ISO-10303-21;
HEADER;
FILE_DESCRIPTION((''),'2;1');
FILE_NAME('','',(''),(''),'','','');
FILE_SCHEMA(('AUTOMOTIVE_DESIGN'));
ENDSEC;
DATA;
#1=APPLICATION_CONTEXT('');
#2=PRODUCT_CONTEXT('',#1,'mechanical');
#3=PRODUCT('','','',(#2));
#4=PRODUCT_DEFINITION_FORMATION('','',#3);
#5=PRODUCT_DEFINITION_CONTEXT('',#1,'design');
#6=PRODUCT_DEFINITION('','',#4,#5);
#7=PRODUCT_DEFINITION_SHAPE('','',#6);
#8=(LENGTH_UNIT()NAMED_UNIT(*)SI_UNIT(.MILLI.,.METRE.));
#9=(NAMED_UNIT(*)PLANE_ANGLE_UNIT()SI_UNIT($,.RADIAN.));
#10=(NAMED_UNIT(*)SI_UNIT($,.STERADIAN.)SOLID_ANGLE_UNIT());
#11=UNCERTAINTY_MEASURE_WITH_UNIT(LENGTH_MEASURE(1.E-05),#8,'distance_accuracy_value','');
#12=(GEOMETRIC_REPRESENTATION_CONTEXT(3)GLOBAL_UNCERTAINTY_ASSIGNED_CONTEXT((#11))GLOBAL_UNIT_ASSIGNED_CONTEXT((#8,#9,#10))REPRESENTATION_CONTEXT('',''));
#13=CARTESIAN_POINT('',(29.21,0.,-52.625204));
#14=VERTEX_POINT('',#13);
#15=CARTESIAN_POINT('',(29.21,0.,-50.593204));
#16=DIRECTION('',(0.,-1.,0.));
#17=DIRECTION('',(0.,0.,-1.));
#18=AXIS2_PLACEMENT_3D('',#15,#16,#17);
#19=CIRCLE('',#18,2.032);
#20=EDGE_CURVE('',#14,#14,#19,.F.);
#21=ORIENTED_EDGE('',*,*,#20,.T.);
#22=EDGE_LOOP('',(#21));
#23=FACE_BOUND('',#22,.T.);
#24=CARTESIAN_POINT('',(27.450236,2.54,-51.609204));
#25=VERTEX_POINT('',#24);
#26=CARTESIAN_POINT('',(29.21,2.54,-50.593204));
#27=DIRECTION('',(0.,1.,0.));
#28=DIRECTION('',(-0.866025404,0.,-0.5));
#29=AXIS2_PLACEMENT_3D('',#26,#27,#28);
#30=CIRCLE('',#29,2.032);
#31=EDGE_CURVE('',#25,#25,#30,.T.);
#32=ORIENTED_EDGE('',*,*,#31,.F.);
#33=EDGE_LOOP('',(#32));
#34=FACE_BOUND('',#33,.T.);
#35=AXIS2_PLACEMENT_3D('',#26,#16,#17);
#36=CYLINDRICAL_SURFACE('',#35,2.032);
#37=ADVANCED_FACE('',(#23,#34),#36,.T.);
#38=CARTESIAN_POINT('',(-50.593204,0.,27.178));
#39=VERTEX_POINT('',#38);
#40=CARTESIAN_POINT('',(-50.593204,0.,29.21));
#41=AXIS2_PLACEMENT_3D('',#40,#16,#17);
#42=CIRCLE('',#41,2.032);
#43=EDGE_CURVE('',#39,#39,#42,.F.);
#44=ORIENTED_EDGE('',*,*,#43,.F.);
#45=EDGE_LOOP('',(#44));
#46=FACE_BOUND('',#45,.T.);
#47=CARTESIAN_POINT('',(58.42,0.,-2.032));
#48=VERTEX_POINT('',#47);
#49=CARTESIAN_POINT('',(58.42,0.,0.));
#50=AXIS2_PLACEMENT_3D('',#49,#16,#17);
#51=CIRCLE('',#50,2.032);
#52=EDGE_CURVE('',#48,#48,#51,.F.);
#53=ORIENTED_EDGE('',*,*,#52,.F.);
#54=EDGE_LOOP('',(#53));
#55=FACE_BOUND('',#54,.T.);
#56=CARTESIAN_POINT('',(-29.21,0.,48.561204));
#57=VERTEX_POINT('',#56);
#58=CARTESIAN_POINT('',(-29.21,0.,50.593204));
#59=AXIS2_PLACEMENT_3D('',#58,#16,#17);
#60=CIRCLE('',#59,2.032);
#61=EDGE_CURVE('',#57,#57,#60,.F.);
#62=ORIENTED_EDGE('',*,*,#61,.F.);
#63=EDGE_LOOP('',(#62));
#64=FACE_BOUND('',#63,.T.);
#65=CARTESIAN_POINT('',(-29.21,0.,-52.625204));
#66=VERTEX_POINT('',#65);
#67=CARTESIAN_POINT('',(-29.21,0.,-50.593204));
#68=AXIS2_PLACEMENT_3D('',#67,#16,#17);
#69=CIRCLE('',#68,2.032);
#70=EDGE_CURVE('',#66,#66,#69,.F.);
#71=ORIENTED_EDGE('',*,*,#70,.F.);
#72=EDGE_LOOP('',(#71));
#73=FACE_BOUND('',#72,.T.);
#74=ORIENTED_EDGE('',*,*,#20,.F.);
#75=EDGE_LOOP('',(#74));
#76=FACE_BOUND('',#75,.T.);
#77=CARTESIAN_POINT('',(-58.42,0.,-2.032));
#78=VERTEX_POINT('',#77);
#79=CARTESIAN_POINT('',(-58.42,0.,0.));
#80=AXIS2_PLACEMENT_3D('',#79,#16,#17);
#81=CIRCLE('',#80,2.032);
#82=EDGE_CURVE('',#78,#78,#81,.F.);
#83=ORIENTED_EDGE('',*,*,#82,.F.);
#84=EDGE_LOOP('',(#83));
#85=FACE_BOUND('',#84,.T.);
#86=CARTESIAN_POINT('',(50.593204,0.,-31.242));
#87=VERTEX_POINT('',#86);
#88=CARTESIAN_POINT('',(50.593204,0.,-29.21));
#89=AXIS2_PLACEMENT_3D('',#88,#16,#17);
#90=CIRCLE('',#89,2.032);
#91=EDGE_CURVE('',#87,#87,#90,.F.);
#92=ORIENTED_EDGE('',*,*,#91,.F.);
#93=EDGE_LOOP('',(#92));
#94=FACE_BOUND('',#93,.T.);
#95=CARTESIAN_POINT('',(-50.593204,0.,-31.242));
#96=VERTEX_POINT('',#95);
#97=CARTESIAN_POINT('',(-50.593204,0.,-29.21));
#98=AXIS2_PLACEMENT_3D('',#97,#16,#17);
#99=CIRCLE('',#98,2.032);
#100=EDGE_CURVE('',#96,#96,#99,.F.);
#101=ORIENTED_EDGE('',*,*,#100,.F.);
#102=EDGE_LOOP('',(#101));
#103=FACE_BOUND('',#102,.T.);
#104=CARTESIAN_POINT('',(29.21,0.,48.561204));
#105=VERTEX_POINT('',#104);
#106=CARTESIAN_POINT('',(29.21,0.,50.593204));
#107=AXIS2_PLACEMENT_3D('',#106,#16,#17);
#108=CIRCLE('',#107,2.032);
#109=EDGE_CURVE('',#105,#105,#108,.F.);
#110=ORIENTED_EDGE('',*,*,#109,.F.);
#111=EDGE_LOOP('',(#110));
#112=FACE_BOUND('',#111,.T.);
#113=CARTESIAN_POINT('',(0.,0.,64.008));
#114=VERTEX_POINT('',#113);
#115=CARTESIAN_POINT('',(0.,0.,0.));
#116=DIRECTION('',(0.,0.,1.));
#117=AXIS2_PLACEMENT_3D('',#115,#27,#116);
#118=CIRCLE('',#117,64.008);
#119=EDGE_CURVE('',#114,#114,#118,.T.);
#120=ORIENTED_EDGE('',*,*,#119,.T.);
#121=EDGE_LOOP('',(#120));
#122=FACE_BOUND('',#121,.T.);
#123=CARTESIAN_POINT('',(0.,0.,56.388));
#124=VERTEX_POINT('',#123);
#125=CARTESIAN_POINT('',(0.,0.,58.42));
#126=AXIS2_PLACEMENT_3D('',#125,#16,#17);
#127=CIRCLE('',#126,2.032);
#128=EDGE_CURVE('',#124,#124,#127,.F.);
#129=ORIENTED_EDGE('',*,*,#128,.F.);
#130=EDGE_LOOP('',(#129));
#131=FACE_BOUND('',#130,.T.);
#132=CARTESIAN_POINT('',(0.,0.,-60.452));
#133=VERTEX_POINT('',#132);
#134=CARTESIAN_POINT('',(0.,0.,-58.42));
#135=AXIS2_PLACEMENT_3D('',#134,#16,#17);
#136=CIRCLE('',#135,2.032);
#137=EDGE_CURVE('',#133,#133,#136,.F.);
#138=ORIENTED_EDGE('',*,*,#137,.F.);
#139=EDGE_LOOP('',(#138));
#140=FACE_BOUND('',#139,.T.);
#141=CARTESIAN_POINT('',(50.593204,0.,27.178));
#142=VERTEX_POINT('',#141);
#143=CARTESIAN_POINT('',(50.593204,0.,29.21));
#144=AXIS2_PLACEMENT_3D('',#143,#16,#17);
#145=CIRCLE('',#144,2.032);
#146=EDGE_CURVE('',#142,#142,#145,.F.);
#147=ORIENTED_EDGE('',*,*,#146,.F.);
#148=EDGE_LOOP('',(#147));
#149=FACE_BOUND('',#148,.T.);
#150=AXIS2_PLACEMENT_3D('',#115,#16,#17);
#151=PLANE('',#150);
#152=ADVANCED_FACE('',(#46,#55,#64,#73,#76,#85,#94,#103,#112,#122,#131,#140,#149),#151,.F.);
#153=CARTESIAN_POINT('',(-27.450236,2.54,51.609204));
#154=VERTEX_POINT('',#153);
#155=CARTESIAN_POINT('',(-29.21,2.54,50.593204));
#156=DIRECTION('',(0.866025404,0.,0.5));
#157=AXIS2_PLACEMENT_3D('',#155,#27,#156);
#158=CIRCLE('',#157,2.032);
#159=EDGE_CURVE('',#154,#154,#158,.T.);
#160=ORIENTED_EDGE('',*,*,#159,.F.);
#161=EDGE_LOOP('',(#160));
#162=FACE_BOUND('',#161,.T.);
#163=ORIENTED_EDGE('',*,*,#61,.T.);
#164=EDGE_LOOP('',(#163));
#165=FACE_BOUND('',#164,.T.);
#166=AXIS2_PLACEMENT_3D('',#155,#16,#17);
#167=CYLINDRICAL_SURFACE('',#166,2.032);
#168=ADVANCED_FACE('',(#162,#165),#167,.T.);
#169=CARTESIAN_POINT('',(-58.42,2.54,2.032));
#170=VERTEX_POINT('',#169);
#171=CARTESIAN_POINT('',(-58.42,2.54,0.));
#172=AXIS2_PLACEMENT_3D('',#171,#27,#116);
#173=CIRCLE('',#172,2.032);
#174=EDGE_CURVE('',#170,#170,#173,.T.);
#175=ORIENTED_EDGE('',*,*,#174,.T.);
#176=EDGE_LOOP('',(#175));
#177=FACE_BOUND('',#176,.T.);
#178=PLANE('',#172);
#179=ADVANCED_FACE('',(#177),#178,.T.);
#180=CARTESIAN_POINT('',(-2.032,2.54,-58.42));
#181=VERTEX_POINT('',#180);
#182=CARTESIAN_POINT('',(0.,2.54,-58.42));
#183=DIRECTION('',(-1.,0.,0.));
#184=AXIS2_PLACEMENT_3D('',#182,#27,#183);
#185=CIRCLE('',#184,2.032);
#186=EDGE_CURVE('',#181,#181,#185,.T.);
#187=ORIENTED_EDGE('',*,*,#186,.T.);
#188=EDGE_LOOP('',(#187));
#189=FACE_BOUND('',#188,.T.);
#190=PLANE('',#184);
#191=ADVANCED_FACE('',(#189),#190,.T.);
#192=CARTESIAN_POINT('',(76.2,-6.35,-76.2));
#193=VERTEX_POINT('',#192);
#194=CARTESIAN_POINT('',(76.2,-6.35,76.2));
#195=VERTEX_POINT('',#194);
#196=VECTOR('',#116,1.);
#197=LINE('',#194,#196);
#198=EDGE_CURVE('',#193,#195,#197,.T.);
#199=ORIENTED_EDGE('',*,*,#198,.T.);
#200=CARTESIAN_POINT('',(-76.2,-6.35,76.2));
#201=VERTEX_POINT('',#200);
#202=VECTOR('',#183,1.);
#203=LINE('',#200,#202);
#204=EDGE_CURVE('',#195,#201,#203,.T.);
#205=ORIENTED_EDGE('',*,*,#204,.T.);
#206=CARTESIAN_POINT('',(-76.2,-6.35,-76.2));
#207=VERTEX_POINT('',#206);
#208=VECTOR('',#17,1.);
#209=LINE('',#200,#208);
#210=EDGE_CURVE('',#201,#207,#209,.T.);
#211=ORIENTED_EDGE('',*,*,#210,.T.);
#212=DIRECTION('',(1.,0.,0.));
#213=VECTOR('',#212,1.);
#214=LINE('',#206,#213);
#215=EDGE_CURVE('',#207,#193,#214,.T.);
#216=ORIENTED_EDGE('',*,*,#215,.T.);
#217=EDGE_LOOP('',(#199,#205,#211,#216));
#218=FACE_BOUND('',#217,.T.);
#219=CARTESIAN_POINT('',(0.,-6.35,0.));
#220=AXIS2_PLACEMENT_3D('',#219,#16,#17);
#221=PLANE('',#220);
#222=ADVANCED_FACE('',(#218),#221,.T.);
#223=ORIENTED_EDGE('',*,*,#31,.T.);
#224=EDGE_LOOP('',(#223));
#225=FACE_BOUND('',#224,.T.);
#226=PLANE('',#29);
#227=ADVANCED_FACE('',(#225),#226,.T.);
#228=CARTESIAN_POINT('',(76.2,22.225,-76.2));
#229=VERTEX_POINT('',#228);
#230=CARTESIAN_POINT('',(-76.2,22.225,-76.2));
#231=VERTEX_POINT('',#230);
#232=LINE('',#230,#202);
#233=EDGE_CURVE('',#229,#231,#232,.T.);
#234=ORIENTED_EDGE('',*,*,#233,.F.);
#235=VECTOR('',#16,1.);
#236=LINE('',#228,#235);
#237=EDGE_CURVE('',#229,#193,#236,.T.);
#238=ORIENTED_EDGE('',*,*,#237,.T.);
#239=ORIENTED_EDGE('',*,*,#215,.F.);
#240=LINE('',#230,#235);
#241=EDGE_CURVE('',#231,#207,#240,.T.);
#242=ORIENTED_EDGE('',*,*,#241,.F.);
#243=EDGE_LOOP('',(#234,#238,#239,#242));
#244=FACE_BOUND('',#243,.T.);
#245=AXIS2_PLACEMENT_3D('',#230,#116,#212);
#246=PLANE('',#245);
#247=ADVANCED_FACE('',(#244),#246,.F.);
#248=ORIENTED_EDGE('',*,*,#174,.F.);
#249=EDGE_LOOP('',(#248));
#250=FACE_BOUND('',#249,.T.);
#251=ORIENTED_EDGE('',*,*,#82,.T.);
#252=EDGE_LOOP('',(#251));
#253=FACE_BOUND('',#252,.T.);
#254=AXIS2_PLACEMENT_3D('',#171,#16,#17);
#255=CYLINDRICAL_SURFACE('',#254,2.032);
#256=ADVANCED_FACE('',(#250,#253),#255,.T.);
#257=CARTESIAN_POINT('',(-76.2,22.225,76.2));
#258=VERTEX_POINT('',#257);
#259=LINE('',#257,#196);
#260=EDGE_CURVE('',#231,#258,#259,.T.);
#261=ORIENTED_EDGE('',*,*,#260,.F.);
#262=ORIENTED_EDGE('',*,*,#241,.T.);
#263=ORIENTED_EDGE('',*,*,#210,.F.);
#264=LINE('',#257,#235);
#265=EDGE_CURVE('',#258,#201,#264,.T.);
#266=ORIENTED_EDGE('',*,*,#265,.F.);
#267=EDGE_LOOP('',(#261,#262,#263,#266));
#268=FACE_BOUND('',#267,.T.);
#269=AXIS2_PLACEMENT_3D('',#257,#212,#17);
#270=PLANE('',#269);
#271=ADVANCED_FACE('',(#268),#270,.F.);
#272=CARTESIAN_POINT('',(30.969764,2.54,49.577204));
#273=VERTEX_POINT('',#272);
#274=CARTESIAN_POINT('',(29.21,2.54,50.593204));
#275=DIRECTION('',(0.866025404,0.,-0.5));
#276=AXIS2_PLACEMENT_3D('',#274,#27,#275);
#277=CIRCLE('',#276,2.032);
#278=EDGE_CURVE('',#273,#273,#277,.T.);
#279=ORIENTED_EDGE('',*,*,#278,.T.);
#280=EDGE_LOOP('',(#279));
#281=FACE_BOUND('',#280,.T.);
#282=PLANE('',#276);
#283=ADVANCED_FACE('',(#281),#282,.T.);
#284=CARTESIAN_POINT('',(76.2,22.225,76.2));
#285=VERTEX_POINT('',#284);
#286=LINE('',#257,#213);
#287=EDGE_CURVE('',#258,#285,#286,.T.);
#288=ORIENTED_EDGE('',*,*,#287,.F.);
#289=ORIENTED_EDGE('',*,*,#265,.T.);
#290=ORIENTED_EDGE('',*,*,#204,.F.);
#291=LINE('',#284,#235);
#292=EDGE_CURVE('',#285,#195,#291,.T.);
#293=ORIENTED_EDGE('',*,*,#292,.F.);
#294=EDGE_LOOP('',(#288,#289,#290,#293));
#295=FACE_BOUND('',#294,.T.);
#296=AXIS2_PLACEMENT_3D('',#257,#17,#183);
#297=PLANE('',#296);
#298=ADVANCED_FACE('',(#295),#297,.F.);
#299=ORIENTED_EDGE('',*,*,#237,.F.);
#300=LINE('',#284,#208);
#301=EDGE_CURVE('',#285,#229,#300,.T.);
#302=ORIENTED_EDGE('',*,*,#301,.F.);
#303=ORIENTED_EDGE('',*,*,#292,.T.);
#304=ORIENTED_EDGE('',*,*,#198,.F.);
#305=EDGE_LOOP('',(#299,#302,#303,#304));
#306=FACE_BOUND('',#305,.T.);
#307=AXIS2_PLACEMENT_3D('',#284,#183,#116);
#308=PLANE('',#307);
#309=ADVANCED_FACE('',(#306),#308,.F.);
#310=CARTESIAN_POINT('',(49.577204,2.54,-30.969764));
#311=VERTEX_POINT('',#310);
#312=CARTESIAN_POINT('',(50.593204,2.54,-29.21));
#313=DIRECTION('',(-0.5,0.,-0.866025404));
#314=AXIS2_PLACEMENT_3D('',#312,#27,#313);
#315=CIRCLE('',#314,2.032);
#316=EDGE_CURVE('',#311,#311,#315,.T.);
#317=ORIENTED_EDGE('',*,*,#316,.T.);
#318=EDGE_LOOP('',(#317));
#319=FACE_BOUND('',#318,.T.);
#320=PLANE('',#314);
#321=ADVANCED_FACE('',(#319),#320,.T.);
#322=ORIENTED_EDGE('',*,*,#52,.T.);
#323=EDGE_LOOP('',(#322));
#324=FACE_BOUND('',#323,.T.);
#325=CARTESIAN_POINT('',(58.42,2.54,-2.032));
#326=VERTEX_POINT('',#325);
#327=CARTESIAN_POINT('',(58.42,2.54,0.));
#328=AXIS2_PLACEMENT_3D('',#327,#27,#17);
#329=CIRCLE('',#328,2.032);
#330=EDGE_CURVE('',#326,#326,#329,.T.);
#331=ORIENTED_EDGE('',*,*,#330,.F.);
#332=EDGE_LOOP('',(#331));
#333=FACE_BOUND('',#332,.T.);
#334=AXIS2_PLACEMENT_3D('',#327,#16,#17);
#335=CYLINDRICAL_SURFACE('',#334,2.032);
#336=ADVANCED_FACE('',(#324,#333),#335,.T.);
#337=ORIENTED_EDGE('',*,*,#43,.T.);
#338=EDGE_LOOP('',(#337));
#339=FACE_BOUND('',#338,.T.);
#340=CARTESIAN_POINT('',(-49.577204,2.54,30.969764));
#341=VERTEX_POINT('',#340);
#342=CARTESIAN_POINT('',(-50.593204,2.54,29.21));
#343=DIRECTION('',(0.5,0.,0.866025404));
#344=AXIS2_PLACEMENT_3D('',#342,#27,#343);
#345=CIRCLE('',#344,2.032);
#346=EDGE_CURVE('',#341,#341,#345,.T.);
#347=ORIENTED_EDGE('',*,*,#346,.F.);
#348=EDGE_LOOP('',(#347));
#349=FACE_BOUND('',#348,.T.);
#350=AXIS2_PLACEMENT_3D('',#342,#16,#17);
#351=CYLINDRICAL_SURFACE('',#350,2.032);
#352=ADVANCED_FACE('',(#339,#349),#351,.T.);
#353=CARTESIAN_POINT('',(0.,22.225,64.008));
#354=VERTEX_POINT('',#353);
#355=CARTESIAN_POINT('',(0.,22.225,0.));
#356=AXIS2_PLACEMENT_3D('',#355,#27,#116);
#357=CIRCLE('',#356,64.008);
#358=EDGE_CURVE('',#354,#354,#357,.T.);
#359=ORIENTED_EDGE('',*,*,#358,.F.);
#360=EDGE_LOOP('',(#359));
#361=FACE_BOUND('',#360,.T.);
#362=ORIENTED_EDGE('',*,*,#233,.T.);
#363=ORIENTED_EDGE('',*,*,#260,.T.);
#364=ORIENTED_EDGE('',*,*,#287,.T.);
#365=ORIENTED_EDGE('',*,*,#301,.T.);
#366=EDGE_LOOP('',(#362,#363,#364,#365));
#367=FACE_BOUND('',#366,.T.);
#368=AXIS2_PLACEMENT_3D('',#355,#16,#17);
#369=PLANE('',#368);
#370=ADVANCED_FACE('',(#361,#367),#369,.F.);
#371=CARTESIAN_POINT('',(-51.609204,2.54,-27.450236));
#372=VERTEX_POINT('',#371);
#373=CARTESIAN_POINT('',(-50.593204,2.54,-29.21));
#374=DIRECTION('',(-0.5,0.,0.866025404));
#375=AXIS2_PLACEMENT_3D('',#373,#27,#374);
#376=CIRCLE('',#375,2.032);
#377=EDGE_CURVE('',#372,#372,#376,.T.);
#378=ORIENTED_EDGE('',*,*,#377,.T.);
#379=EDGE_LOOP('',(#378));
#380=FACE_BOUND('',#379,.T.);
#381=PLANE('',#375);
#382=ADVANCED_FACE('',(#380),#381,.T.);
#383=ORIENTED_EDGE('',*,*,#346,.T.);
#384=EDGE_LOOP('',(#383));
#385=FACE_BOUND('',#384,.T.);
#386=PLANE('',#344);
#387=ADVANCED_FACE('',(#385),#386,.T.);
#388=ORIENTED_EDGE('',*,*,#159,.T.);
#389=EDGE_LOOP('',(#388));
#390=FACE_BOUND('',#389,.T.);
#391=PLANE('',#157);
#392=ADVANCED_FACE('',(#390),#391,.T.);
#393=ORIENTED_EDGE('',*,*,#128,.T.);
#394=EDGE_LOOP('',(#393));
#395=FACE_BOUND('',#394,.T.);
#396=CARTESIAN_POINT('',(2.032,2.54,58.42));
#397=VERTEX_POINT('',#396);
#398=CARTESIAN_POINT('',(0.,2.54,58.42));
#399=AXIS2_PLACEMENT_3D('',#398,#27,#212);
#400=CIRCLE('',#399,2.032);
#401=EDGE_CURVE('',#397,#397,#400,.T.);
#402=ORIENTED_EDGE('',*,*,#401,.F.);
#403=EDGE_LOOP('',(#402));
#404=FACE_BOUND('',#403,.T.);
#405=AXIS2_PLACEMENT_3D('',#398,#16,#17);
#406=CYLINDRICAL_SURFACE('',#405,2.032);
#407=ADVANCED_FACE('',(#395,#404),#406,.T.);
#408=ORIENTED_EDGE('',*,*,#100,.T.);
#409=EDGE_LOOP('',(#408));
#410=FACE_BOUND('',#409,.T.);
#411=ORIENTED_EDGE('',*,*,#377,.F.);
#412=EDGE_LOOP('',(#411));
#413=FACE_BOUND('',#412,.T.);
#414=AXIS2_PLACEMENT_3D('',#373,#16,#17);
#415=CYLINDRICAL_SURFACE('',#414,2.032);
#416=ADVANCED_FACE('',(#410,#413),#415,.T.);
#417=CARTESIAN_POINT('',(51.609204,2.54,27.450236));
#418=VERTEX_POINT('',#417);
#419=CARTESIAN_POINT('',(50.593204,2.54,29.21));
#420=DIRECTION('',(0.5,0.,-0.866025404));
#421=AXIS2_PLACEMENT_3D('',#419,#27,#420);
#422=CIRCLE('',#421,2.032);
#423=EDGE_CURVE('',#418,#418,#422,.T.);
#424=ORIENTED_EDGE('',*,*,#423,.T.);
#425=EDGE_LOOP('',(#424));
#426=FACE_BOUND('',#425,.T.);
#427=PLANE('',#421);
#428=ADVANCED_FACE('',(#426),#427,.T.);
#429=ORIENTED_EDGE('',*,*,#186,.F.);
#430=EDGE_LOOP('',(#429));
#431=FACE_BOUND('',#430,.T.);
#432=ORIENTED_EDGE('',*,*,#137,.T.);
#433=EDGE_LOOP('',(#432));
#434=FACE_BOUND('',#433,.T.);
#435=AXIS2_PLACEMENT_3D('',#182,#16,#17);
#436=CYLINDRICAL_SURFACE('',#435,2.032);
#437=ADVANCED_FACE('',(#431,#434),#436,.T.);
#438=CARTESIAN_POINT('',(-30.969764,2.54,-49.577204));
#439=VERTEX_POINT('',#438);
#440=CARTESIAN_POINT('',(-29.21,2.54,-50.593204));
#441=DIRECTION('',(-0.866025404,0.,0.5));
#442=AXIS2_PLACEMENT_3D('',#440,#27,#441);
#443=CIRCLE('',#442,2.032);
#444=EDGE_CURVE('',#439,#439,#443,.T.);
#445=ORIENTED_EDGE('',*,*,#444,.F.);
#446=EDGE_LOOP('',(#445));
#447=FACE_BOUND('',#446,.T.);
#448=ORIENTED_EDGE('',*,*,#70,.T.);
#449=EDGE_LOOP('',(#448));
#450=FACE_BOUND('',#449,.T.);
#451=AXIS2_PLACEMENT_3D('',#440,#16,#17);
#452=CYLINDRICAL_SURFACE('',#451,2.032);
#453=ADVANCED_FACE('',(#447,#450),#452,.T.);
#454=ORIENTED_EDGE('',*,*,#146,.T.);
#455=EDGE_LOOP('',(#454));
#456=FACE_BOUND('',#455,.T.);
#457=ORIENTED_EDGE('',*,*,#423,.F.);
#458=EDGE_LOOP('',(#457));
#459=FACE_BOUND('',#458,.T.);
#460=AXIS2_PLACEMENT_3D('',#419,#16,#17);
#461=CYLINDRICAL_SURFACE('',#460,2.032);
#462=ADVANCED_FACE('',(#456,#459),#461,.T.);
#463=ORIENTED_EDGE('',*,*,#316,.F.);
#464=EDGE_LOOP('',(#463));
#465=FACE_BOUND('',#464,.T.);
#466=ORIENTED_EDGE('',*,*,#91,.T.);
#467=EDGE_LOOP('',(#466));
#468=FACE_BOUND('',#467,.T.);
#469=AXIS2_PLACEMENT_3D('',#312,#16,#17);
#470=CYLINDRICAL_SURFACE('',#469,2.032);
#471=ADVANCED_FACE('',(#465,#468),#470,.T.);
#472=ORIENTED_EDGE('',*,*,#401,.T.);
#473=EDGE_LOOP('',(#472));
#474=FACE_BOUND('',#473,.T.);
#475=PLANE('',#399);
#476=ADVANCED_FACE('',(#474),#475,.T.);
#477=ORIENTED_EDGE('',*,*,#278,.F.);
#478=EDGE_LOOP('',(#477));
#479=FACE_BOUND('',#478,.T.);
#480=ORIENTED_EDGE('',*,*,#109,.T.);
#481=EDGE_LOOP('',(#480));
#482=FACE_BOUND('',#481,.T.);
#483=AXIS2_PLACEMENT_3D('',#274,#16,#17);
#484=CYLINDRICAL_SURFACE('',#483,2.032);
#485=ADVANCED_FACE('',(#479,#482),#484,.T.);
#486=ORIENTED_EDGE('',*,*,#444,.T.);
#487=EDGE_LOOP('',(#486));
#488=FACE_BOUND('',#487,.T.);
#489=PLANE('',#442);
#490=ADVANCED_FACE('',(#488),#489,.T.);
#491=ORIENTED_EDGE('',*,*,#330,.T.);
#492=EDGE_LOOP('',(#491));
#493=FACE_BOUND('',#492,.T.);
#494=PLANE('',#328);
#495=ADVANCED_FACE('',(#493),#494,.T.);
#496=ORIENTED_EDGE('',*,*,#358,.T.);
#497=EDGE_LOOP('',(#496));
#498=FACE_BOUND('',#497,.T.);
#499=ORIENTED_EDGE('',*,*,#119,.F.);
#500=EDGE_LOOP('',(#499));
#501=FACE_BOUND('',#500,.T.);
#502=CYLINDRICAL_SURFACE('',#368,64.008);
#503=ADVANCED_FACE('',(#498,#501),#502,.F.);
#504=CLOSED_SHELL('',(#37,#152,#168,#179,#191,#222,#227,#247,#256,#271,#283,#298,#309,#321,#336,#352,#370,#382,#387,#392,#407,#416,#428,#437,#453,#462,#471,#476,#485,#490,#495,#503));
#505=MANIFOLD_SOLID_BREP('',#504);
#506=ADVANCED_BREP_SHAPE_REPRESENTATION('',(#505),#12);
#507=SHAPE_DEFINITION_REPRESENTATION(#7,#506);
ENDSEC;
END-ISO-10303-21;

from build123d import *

# Parameters (mm, degrees)
SKETCH1_W           = 152.4
SKETCH1_H           = 152.4
SKETCH1_R           = 64.008
BOSS_EXTRUDE1_DEPTH = 22.225
SKETCH2_W           = 152.4
SKETCH2_H           = 152.4
BOSS_EXTRUDE2_DEPTH = 6.35
SKETCH3_R           = 2.032
BOSS_EXTRUDE3_DEPTH = 2.54
CIRPATTERN1_COUNT   = 12


with BuildPart() as part:
    # Sketch1 → Boss-Extrude1 (new body)
    with BuildSketch(Plane(origin=(0, 0, 0), x_dir=(1, 0, 0), z_dir=(0, 1, 0))):
        Rectangle(SKETCH1_W, SKETCH1_H)
        Circle(SKETCH1_R, mode=Mode.SUBTRACT)
    extrude(amount=BOSS_EXTRUDE1_DEPTH)

    # Sketch2 → Boss-Extrude2 (add)
    with BuildSketch(Plane(origin=(0, 0, 0), x_dir=(-1, 0, 0), z_dir=(0, -1, 0))):
        Rectangle(SKETCH2_W, SKETCH2_H)
    extrude(amount=BOSS_EXTRUDE2_DEPTH)

    # Sketch3 → Boss-Extrude3 (add)
    with BuildSketch(Plane(origin=(0, 0, 0), x_dir=(1, 0, 0), z_dir=(0, 1, 0))):
        with Locations((-58.42, 0)):
            Circle(SKETCH3_R)
    boss_extrude3 = extrude(amount=BOSS_EXTRUDE3_DEPTH)

    # CirPattern1: Boss-Extrude3 ×12 about axis
    cirpattern1_axis = Axis((0, 0, 0), (0, 1, 0))
    for i in range(1, CIRPATTERN1_COUNT):
        add(boss_extrude3.rotate(cirpattern1_axis, i * 360 / CIRPATTERN1_COUNT))


solid = part.part
